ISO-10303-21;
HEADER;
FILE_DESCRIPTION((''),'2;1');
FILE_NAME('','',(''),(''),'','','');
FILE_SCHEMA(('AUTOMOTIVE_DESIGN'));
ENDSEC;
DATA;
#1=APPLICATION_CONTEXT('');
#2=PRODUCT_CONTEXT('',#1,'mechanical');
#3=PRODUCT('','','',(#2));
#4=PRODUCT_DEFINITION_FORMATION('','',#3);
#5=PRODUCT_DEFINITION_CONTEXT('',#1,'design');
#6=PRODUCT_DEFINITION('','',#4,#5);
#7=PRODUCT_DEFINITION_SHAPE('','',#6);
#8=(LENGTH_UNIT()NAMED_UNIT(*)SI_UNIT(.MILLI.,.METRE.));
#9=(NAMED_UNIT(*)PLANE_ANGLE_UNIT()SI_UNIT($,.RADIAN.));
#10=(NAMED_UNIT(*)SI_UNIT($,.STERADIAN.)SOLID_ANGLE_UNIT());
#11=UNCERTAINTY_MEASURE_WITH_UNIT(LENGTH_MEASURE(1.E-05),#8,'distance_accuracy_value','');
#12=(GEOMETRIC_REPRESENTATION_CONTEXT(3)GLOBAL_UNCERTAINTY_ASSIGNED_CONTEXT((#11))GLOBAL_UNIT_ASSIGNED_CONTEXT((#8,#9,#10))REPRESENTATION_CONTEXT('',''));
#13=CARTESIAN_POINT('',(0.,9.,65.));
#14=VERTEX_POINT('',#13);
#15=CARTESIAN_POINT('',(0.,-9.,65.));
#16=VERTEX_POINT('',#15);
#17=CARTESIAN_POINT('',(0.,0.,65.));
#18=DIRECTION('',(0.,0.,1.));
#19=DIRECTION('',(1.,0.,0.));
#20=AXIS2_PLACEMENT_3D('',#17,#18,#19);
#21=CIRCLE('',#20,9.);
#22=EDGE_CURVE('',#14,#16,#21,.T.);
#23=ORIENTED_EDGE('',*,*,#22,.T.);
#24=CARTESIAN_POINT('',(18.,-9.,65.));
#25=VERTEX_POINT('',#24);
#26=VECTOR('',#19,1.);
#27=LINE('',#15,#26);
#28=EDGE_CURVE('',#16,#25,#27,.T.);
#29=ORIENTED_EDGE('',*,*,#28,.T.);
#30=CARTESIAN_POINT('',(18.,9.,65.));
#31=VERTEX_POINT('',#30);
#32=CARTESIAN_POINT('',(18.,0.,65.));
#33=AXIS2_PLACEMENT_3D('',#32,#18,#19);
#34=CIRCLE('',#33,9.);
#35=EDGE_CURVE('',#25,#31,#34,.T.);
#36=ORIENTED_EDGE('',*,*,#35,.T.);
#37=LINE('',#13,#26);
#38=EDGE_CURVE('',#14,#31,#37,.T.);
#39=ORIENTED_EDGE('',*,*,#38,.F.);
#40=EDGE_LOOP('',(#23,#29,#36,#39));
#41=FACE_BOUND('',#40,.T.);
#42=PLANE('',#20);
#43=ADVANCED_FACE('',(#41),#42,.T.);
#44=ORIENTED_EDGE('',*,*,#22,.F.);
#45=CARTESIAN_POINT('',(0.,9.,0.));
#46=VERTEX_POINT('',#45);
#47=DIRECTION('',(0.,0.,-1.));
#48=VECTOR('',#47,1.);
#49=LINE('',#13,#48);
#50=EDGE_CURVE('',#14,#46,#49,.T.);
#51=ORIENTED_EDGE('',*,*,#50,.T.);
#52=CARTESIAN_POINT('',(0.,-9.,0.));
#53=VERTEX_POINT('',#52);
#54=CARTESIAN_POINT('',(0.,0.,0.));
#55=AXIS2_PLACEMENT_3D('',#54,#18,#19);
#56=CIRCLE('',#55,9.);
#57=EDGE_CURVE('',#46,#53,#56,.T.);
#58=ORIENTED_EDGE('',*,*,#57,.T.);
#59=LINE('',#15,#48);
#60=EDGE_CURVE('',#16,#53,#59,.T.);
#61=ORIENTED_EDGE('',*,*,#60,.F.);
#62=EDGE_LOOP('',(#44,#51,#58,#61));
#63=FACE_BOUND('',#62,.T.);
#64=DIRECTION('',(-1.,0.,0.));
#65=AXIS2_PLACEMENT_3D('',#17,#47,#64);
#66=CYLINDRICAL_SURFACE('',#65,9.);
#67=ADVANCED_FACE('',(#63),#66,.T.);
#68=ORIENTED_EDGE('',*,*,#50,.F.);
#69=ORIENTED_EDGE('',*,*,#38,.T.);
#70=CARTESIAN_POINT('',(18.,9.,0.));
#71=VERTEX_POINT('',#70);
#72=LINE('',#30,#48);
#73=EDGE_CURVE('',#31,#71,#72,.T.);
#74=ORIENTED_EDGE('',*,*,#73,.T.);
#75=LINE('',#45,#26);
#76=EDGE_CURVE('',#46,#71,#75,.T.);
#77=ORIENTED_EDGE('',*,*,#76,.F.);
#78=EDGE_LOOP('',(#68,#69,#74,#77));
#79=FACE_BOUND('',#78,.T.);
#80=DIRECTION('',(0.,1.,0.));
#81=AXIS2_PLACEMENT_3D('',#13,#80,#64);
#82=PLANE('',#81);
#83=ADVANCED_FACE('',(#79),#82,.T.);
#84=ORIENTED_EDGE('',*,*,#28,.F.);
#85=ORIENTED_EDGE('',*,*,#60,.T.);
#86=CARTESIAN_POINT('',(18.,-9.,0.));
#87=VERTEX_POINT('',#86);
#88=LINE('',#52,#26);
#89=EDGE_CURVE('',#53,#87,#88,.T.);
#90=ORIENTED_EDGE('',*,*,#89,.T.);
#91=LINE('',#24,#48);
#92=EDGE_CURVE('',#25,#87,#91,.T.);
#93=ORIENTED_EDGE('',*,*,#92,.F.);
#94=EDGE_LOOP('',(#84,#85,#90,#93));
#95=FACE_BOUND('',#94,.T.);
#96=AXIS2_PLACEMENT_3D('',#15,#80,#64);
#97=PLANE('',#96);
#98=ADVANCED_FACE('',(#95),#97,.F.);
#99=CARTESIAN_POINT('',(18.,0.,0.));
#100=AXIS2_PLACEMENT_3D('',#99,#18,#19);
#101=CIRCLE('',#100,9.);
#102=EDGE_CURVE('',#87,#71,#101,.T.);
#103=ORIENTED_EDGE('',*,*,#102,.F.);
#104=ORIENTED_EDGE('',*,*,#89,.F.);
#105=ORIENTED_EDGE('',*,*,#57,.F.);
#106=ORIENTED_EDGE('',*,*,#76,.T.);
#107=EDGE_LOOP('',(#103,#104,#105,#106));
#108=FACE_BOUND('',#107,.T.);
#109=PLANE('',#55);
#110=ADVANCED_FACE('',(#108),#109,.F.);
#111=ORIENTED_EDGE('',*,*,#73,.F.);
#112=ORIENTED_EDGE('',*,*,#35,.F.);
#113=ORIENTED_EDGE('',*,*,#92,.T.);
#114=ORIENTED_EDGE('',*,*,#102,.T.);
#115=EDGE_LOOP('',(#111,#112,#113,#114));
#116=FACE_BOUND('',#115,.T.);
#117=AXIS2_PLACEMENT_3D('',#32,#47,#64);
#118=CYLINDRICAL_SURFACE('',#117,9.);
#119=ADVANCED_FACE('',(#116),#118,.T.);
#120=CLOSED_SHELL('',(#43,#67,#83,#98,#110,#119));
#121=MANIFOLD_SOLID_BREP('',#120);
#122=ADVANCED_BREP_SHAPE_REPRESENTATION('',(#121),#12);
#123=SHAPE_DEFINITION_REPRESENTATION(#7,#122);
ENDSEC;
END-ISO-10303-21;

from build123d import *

# Parameters (mm, degrees)
SCHIZZO1_R                   = 9
ESTRUSIONE_ESTRUSIONE1_DEPTH = 65


with BuildPart() as part:
    # Schizzo1 → Estrusione-Estrusione1 (new body)
    with BuildSketch(Plane.XY):
        with Locations((18, 0)):
            Circle(SCHIZZO1_R)
        Circle(SCHIZZO1_R)
        with BuildLine():
            Line((18, 9), (0, 9))
            ThreePointArc((0, 9), (6.363961031, 6.363961031), (9, 0))
            ThreePointArc((9, 0), (11.636038969, 6.363961031), (18, 9))
        make_face()
        with BuildLine():
            ThreePointArc((18, -9), (11.636038969, -6.363961031), (9, 0))
            ThreePointArc((9, 0), (6.363961031, -6.363961031), (0, -9))
            Line((0, -9), (18, -9))
        make_face()
    extrude(amount=ESTRUSIONE_ESTRUSIONE1_DEPTH)


solid = part.part
